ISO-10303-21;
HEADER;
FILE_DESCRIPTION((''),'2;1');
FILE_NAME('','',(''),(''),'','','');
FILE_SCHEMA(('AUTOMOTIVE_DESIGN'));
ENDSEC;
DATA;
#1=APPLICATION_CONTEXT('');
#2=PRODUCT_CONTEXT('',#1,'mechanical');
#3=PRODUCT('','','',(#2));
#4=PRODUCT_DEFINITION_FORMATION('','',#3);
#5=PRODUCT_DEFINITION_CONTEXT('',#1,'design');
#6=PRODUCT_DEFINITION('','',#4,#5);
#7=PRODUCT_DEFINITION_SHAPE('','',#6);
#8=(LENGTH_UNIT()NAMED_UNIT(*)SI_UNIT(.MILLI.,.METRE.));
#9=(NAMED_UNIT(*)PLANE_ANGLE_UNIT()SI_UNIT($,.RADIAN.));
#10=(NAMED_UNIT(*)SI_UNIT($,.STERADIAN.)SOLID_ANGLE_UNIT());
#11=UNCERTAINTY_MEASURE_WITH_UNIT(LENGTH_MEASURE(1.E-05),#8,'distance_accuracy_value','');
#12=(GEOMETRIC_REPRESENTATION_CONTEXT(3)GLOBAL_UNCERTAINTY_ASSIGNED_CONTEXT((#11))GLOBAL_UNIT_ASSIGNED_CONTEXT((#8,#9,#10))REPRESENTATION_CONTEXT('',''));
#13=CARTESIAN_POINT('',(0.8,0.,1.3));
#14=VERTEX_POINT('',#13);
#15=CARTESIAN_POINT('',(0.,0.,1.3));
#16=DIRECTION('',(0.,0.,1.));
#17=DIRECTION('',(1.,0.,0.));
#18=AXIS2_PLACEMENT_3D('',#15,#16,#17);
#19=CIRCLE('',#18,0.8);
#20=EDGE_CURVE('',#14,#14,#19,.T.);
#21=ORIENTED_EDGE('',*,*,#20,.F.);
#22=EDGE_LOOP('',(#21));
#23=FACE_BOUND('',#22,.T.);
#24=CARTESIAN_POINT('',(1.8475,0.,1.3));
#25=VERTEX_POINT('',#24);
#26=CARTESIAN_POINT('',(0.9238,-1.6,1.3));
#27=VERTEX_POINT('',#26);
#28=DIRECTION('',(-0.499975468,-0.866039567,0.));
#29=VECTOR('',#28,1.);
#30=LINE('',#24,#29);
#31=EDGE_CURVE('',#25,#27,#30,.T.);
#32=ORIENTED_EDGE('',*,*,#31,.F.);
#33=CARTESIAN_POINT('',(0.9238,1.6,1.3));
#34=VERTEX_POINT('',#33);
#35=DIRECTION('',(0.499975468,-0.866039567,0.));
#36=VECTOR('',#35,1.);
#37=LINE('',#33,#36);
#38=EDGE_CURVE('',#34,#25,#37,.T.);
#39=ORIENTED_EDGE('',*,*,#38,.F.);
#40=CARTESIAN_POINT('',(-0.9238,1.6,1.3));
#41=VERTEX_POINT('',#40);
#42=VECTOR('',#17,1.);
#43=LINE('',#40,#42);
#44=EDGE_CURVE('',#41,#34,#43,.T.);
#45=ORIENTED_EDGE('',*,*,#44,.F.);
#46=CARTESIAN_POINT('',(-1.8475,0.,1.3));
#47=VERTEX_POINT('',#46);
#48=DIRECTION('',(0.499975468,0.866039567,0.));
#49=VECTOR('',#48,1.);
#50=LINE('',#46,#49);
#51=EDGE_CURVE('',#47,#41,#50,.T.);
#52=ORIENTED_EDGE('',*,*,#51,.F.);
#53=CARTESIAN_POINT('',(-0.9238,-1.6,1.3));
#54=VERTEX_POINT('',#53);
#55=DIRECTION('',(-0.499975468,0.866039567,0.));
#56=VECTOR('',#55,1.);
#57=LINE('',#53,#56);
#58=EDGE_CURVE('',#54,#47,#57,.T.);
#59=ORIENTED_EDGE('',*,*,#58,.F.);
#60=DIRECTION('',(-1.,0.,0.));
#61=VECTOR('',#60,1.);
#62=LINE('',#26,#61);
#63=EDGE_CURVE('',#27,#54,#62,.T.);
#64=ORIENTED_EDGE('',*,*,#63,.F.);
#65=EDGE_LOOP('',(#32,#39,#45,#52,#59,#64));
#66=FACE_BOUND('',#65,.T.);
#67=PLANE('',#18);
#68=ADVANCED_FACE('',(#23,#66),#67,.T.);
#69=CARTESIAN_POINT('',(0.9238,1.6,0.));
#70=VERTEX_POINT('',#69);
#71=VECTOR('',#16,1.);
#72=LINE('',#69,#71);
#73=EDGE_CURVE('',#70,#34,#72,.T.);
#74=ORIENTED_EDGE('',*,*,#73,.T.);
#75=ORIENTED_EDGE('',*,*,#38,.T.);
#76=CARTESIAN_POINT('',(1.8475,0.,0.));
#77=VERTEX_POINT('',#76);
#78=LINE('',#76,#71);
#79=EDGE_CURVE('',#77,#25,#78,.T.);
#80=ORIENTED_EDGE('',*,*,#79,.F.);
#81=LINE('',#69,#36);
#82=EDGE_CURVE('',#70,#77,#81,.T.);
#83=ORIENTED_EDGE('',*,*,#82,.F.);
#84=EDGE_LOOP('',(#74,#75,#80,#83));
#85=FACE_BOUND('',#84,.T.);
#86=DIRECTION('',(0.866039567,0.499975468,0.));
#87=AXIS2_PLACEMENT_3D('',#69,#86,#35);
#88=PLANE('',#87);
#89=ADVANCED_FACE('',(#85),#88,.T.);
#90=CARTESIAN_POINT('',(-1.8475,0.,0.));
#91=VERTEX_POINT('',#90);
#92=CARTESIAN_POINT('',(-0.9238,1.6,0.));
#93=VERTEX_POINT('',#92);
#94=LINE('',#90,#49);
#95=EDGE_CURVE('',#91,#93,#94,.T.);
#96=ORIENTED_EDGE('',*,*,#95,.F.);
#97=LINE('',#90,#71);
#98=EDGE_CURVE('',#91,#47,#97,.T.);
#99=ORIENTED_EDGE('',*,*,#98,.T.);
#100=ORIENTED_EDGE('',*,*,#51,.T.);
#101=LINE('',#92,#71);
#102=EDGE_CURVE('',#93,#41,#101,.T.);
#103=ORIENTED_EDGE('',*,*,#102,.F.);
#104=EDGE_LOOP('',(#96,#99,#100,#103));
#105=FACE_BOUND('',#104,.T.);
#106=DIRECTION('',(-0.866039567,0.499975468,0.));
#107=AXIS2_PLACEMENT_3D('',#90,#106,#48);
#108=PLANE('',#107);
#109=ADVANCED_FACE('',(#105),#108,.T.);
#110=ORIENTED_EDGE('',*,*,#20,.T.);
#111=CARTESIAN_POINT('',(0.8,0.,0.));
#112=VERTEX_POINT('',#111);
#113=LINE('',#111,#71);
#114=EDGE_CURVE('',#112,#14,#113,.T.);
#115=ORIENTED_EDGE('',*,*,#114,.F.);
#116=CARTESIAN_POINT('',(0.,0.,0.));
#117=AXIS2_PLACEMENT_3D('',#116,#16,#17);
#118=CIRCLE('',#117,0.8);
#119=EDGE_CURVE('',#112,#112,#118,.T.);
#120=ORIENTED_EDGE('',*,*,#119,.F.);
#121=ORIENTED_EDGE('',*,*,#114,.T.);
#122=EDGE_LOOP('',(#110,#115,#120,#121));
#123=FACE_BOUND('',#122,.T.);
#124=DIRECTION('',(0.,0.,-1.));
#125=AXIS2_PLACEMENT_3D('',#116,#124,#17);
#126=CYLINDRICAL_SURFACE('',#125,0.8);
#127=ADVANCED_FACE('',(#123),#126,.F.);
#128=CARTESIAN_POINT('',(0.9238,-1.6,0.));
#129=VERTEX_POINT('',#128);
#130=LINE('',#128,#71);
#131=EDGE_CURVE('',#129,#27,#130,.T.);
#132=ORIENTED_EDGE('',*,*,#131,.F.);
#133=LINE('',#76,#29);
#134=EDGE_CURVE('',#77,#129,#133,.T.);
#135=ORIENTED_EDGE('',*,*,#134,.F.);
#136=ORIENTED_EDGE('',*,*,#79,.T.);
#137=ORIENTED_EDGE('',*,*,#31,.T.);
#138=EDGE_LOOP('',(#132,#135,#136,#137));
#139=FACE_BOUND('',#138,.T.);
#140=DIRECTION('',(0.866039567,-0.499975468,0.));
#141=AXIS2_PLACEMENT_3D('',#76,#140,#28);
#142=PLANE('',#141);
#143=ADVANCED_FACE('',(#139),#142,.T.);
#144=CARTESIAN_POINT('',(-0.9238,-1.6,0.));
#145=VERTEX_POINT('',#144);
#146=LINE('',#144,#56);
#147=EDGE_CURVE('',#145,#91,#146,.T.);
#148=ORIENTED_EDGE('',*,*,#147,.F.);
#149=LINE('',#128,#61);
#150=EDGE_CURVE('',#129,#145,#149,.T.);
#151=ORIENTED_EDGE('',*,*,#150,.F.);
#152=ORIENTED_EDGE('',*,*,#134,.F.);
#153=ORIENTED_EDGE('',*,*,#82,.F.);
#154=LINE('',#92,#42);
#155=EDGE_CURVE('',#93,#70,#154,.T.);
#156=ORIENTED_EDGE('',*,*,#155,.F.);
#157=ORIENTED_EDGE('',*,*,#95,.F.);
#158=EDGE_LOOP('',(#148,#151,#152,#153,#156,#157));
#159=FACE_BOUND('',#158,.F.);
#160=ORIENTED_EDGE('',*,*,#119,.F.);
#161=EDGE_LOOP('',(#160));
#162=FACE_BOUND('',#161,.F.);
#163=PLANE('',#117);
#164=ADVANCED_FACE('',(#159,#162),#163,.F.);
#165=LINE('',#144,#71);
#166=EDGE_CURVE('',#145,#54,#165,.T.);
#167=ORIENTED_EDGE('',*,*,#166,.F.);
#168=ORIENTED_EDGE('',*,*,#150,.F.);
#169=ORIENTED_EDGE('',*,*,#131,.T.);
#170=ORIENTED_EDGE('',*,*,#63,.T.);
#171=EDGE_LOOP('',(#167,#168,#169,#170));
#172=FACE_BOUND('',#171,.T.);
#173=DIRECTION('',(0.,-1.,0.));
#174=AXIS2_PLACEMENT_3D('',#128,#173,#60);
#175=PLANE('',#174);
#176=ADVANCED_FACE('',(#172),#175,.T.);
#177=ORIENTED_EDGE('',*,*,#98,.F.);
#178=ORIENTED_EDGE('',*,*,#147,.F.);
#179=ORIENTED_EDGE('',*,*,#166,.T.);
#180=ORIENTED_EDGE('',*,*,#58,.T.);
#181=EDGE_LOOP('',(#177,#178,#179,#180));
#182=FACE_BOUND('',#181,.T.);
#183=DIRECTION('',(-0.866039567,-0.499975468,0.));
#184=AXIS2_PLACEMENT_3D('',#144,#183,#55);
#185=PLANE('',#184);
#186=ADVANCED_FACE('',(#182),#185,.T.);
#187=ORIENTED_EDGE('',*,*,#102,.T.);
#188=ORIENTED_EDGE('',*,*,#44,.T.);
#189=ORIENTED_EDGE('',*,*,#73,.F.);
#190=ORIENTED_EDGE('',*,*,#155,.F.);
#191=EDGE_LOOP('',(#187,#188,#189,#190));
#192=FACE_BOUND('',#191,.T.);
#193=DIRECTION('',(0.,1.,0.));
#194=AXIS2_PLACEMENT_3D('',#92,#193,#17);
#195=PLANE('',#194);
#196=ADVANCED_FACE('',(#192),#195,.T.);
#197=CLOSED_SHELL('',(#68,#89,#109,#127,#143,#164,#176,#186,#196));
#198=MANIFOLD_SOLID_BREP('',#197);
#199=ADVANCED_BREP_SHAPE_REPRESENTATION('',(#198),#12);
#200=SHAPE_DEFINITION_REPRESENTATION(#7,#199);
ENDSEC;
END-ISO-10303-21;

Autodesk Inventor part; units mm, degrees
ref_plane "YZ Plane" through (0, 0, 0) normal (1, 0, 0) x (0, 1, 0)
ref_plane "XZ Plane" through (0, 0, 0) normal (0, 1, 0) x (-1, 0, 0)
ref_plane "XY Plane" through (0, 0, 0) normal (0, 0, 1) x (1, 0, 0)
sketch "スケッチ1" plane through (0, 0, 0) normal (0, 0, 1) x (1, 0, 0)
  line L0 (0.9238, 1.6) -> (1.8475, 0)
  line L1 (1.8475, 0) -> (0.9238, -1.6)
  line L2 (0.9238, -1.6) -> (-0.9238, -1.6)
  line L3 (-0.9238, -1.6) -> (-1.8475, 0)
  line L4 (-1.8475, 0) -> (-0.9238, 1.6)
  line L5 (-0.9238, 1.6) -> (0.9238, 1.6)
  circle A0 centre (0, 0) radius 0.8
  dimension "d0" = 1.6
  dimension "d1" = 3.2
extrude "押し出し1" add sketch "スケッチ1" along normal blind 1.3
properties part number "m1.6_nut"
